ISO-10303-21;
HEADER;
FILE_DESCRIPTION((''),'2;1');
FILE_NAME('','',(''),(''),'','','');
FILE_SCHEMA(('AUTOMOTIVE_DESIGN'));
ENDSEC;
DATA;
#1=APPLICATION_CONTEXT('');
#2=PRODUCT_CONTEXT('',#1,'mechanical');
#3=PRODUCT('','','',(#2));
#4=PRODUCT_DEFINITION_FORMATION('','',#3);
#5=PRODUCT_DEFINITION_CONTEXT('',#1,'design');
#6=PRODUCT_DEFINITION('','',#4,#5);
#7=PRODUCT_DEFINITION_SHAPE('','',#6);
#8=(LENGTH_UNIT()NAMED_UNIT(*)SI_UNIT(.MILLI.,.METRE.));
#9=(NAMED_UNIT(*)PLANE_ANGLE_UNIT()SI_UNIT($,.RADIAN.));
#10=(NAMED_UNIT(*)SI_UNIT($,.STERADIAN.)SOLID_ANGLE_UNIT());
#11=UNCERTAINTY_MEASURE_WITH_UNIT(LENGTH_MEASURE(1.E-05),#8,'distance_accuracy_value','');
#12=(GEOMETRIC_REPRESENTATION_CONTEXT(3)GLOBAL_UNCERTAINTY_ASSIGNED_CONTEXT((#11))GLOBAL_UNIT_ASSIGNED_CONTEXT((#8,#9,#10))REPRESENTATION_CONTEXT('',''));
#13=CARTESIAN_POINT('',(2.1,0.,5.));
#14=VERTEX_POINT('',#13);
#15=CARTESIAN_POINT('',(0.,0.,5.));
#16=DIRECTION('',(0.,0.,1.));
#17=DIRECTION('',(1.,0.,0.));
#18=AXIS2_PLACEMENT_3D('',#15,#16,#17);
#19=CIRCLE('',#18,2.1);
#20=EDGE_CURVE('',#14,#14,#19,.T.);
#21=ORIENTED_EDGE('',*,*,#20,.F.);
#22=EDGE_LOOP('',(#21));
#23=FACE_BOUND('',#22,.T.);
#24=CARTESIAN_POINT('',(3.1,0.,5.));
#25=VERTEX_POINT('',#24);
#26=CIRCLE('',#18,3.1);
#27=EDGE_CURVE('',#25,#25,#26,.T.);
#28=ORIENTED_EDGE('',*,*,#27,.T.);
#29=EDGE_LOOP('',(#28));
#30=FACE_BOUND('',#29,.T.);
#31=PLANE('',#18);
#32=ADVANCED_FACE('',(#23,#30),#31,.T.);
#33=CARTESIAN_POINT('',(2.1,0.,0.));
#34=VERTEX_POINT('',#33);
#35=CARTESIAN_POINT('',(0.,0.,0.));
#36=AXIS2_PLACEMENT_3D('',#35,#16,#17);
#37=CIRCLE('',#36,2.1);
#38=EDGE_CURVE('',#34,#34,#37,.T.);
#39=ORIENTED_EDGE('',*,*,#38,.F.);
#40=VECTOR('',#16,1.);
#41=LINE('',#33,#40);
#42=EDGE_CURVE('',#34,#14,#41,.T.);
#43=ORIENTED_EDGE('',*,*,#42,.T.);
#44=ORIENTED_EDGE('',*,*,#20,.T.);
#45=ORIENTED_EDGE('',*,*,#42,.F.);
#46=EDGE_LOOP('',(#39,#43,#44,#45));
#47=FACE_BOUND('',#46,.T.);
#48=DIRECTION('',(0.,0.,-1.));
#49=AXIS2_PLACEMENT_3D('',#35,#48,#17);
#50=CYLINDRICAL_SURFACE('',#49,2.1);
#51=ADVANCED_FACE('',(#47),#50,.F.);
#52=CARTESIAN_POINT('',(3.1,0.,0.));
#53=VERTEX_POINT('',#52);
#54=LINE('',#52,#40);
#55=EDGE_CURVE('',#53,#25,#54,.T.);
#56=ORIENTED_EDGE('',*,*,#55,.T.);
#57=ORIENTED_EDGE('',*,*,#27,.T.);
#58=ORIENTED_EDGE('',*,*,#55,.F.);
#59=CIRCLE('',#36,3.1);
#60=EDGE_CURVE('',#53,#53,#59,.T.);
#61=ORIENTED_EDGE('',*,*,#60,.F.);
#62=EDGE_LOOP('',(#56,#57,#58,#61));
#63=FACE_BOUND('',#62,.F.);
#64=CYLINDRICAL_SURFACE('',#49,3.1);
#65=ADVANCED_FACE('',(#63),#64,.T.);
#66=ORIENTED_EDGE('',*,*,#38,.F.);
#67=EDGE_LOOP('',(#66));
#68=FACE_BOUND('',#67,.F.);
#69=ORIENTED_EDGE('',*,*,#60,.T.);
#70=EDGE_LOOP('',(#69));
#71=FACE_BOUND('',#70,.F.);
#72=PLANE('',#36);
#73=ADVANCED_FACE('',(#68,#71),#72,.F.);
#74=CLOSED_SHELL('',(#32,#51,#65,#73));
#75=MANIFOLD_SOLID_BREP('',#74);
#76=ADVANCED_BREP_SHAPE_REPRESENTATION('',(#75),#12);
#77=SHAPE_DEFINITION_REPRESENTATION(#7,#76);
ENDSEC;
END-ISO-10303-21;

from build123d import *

# Parameters (mm, degrees)
SKETCH1_R           = 3.1
SKETCH1_R_2         = 2.1
BOSS_EXTRUDE1_DEPTH = 5


with BuildPart() as part:
    # Sketch1 → Boss-Extrude1 (new body)
    with BuildSketch(Plane.XY):
        Circle(SKETCH1_R)
        Circle(SKETCH1_R_2, mode=Mode.SUBTRACT)
    extrude(amount=BOSS_EXTRUDE1_DEPTH)


solid = part.part
